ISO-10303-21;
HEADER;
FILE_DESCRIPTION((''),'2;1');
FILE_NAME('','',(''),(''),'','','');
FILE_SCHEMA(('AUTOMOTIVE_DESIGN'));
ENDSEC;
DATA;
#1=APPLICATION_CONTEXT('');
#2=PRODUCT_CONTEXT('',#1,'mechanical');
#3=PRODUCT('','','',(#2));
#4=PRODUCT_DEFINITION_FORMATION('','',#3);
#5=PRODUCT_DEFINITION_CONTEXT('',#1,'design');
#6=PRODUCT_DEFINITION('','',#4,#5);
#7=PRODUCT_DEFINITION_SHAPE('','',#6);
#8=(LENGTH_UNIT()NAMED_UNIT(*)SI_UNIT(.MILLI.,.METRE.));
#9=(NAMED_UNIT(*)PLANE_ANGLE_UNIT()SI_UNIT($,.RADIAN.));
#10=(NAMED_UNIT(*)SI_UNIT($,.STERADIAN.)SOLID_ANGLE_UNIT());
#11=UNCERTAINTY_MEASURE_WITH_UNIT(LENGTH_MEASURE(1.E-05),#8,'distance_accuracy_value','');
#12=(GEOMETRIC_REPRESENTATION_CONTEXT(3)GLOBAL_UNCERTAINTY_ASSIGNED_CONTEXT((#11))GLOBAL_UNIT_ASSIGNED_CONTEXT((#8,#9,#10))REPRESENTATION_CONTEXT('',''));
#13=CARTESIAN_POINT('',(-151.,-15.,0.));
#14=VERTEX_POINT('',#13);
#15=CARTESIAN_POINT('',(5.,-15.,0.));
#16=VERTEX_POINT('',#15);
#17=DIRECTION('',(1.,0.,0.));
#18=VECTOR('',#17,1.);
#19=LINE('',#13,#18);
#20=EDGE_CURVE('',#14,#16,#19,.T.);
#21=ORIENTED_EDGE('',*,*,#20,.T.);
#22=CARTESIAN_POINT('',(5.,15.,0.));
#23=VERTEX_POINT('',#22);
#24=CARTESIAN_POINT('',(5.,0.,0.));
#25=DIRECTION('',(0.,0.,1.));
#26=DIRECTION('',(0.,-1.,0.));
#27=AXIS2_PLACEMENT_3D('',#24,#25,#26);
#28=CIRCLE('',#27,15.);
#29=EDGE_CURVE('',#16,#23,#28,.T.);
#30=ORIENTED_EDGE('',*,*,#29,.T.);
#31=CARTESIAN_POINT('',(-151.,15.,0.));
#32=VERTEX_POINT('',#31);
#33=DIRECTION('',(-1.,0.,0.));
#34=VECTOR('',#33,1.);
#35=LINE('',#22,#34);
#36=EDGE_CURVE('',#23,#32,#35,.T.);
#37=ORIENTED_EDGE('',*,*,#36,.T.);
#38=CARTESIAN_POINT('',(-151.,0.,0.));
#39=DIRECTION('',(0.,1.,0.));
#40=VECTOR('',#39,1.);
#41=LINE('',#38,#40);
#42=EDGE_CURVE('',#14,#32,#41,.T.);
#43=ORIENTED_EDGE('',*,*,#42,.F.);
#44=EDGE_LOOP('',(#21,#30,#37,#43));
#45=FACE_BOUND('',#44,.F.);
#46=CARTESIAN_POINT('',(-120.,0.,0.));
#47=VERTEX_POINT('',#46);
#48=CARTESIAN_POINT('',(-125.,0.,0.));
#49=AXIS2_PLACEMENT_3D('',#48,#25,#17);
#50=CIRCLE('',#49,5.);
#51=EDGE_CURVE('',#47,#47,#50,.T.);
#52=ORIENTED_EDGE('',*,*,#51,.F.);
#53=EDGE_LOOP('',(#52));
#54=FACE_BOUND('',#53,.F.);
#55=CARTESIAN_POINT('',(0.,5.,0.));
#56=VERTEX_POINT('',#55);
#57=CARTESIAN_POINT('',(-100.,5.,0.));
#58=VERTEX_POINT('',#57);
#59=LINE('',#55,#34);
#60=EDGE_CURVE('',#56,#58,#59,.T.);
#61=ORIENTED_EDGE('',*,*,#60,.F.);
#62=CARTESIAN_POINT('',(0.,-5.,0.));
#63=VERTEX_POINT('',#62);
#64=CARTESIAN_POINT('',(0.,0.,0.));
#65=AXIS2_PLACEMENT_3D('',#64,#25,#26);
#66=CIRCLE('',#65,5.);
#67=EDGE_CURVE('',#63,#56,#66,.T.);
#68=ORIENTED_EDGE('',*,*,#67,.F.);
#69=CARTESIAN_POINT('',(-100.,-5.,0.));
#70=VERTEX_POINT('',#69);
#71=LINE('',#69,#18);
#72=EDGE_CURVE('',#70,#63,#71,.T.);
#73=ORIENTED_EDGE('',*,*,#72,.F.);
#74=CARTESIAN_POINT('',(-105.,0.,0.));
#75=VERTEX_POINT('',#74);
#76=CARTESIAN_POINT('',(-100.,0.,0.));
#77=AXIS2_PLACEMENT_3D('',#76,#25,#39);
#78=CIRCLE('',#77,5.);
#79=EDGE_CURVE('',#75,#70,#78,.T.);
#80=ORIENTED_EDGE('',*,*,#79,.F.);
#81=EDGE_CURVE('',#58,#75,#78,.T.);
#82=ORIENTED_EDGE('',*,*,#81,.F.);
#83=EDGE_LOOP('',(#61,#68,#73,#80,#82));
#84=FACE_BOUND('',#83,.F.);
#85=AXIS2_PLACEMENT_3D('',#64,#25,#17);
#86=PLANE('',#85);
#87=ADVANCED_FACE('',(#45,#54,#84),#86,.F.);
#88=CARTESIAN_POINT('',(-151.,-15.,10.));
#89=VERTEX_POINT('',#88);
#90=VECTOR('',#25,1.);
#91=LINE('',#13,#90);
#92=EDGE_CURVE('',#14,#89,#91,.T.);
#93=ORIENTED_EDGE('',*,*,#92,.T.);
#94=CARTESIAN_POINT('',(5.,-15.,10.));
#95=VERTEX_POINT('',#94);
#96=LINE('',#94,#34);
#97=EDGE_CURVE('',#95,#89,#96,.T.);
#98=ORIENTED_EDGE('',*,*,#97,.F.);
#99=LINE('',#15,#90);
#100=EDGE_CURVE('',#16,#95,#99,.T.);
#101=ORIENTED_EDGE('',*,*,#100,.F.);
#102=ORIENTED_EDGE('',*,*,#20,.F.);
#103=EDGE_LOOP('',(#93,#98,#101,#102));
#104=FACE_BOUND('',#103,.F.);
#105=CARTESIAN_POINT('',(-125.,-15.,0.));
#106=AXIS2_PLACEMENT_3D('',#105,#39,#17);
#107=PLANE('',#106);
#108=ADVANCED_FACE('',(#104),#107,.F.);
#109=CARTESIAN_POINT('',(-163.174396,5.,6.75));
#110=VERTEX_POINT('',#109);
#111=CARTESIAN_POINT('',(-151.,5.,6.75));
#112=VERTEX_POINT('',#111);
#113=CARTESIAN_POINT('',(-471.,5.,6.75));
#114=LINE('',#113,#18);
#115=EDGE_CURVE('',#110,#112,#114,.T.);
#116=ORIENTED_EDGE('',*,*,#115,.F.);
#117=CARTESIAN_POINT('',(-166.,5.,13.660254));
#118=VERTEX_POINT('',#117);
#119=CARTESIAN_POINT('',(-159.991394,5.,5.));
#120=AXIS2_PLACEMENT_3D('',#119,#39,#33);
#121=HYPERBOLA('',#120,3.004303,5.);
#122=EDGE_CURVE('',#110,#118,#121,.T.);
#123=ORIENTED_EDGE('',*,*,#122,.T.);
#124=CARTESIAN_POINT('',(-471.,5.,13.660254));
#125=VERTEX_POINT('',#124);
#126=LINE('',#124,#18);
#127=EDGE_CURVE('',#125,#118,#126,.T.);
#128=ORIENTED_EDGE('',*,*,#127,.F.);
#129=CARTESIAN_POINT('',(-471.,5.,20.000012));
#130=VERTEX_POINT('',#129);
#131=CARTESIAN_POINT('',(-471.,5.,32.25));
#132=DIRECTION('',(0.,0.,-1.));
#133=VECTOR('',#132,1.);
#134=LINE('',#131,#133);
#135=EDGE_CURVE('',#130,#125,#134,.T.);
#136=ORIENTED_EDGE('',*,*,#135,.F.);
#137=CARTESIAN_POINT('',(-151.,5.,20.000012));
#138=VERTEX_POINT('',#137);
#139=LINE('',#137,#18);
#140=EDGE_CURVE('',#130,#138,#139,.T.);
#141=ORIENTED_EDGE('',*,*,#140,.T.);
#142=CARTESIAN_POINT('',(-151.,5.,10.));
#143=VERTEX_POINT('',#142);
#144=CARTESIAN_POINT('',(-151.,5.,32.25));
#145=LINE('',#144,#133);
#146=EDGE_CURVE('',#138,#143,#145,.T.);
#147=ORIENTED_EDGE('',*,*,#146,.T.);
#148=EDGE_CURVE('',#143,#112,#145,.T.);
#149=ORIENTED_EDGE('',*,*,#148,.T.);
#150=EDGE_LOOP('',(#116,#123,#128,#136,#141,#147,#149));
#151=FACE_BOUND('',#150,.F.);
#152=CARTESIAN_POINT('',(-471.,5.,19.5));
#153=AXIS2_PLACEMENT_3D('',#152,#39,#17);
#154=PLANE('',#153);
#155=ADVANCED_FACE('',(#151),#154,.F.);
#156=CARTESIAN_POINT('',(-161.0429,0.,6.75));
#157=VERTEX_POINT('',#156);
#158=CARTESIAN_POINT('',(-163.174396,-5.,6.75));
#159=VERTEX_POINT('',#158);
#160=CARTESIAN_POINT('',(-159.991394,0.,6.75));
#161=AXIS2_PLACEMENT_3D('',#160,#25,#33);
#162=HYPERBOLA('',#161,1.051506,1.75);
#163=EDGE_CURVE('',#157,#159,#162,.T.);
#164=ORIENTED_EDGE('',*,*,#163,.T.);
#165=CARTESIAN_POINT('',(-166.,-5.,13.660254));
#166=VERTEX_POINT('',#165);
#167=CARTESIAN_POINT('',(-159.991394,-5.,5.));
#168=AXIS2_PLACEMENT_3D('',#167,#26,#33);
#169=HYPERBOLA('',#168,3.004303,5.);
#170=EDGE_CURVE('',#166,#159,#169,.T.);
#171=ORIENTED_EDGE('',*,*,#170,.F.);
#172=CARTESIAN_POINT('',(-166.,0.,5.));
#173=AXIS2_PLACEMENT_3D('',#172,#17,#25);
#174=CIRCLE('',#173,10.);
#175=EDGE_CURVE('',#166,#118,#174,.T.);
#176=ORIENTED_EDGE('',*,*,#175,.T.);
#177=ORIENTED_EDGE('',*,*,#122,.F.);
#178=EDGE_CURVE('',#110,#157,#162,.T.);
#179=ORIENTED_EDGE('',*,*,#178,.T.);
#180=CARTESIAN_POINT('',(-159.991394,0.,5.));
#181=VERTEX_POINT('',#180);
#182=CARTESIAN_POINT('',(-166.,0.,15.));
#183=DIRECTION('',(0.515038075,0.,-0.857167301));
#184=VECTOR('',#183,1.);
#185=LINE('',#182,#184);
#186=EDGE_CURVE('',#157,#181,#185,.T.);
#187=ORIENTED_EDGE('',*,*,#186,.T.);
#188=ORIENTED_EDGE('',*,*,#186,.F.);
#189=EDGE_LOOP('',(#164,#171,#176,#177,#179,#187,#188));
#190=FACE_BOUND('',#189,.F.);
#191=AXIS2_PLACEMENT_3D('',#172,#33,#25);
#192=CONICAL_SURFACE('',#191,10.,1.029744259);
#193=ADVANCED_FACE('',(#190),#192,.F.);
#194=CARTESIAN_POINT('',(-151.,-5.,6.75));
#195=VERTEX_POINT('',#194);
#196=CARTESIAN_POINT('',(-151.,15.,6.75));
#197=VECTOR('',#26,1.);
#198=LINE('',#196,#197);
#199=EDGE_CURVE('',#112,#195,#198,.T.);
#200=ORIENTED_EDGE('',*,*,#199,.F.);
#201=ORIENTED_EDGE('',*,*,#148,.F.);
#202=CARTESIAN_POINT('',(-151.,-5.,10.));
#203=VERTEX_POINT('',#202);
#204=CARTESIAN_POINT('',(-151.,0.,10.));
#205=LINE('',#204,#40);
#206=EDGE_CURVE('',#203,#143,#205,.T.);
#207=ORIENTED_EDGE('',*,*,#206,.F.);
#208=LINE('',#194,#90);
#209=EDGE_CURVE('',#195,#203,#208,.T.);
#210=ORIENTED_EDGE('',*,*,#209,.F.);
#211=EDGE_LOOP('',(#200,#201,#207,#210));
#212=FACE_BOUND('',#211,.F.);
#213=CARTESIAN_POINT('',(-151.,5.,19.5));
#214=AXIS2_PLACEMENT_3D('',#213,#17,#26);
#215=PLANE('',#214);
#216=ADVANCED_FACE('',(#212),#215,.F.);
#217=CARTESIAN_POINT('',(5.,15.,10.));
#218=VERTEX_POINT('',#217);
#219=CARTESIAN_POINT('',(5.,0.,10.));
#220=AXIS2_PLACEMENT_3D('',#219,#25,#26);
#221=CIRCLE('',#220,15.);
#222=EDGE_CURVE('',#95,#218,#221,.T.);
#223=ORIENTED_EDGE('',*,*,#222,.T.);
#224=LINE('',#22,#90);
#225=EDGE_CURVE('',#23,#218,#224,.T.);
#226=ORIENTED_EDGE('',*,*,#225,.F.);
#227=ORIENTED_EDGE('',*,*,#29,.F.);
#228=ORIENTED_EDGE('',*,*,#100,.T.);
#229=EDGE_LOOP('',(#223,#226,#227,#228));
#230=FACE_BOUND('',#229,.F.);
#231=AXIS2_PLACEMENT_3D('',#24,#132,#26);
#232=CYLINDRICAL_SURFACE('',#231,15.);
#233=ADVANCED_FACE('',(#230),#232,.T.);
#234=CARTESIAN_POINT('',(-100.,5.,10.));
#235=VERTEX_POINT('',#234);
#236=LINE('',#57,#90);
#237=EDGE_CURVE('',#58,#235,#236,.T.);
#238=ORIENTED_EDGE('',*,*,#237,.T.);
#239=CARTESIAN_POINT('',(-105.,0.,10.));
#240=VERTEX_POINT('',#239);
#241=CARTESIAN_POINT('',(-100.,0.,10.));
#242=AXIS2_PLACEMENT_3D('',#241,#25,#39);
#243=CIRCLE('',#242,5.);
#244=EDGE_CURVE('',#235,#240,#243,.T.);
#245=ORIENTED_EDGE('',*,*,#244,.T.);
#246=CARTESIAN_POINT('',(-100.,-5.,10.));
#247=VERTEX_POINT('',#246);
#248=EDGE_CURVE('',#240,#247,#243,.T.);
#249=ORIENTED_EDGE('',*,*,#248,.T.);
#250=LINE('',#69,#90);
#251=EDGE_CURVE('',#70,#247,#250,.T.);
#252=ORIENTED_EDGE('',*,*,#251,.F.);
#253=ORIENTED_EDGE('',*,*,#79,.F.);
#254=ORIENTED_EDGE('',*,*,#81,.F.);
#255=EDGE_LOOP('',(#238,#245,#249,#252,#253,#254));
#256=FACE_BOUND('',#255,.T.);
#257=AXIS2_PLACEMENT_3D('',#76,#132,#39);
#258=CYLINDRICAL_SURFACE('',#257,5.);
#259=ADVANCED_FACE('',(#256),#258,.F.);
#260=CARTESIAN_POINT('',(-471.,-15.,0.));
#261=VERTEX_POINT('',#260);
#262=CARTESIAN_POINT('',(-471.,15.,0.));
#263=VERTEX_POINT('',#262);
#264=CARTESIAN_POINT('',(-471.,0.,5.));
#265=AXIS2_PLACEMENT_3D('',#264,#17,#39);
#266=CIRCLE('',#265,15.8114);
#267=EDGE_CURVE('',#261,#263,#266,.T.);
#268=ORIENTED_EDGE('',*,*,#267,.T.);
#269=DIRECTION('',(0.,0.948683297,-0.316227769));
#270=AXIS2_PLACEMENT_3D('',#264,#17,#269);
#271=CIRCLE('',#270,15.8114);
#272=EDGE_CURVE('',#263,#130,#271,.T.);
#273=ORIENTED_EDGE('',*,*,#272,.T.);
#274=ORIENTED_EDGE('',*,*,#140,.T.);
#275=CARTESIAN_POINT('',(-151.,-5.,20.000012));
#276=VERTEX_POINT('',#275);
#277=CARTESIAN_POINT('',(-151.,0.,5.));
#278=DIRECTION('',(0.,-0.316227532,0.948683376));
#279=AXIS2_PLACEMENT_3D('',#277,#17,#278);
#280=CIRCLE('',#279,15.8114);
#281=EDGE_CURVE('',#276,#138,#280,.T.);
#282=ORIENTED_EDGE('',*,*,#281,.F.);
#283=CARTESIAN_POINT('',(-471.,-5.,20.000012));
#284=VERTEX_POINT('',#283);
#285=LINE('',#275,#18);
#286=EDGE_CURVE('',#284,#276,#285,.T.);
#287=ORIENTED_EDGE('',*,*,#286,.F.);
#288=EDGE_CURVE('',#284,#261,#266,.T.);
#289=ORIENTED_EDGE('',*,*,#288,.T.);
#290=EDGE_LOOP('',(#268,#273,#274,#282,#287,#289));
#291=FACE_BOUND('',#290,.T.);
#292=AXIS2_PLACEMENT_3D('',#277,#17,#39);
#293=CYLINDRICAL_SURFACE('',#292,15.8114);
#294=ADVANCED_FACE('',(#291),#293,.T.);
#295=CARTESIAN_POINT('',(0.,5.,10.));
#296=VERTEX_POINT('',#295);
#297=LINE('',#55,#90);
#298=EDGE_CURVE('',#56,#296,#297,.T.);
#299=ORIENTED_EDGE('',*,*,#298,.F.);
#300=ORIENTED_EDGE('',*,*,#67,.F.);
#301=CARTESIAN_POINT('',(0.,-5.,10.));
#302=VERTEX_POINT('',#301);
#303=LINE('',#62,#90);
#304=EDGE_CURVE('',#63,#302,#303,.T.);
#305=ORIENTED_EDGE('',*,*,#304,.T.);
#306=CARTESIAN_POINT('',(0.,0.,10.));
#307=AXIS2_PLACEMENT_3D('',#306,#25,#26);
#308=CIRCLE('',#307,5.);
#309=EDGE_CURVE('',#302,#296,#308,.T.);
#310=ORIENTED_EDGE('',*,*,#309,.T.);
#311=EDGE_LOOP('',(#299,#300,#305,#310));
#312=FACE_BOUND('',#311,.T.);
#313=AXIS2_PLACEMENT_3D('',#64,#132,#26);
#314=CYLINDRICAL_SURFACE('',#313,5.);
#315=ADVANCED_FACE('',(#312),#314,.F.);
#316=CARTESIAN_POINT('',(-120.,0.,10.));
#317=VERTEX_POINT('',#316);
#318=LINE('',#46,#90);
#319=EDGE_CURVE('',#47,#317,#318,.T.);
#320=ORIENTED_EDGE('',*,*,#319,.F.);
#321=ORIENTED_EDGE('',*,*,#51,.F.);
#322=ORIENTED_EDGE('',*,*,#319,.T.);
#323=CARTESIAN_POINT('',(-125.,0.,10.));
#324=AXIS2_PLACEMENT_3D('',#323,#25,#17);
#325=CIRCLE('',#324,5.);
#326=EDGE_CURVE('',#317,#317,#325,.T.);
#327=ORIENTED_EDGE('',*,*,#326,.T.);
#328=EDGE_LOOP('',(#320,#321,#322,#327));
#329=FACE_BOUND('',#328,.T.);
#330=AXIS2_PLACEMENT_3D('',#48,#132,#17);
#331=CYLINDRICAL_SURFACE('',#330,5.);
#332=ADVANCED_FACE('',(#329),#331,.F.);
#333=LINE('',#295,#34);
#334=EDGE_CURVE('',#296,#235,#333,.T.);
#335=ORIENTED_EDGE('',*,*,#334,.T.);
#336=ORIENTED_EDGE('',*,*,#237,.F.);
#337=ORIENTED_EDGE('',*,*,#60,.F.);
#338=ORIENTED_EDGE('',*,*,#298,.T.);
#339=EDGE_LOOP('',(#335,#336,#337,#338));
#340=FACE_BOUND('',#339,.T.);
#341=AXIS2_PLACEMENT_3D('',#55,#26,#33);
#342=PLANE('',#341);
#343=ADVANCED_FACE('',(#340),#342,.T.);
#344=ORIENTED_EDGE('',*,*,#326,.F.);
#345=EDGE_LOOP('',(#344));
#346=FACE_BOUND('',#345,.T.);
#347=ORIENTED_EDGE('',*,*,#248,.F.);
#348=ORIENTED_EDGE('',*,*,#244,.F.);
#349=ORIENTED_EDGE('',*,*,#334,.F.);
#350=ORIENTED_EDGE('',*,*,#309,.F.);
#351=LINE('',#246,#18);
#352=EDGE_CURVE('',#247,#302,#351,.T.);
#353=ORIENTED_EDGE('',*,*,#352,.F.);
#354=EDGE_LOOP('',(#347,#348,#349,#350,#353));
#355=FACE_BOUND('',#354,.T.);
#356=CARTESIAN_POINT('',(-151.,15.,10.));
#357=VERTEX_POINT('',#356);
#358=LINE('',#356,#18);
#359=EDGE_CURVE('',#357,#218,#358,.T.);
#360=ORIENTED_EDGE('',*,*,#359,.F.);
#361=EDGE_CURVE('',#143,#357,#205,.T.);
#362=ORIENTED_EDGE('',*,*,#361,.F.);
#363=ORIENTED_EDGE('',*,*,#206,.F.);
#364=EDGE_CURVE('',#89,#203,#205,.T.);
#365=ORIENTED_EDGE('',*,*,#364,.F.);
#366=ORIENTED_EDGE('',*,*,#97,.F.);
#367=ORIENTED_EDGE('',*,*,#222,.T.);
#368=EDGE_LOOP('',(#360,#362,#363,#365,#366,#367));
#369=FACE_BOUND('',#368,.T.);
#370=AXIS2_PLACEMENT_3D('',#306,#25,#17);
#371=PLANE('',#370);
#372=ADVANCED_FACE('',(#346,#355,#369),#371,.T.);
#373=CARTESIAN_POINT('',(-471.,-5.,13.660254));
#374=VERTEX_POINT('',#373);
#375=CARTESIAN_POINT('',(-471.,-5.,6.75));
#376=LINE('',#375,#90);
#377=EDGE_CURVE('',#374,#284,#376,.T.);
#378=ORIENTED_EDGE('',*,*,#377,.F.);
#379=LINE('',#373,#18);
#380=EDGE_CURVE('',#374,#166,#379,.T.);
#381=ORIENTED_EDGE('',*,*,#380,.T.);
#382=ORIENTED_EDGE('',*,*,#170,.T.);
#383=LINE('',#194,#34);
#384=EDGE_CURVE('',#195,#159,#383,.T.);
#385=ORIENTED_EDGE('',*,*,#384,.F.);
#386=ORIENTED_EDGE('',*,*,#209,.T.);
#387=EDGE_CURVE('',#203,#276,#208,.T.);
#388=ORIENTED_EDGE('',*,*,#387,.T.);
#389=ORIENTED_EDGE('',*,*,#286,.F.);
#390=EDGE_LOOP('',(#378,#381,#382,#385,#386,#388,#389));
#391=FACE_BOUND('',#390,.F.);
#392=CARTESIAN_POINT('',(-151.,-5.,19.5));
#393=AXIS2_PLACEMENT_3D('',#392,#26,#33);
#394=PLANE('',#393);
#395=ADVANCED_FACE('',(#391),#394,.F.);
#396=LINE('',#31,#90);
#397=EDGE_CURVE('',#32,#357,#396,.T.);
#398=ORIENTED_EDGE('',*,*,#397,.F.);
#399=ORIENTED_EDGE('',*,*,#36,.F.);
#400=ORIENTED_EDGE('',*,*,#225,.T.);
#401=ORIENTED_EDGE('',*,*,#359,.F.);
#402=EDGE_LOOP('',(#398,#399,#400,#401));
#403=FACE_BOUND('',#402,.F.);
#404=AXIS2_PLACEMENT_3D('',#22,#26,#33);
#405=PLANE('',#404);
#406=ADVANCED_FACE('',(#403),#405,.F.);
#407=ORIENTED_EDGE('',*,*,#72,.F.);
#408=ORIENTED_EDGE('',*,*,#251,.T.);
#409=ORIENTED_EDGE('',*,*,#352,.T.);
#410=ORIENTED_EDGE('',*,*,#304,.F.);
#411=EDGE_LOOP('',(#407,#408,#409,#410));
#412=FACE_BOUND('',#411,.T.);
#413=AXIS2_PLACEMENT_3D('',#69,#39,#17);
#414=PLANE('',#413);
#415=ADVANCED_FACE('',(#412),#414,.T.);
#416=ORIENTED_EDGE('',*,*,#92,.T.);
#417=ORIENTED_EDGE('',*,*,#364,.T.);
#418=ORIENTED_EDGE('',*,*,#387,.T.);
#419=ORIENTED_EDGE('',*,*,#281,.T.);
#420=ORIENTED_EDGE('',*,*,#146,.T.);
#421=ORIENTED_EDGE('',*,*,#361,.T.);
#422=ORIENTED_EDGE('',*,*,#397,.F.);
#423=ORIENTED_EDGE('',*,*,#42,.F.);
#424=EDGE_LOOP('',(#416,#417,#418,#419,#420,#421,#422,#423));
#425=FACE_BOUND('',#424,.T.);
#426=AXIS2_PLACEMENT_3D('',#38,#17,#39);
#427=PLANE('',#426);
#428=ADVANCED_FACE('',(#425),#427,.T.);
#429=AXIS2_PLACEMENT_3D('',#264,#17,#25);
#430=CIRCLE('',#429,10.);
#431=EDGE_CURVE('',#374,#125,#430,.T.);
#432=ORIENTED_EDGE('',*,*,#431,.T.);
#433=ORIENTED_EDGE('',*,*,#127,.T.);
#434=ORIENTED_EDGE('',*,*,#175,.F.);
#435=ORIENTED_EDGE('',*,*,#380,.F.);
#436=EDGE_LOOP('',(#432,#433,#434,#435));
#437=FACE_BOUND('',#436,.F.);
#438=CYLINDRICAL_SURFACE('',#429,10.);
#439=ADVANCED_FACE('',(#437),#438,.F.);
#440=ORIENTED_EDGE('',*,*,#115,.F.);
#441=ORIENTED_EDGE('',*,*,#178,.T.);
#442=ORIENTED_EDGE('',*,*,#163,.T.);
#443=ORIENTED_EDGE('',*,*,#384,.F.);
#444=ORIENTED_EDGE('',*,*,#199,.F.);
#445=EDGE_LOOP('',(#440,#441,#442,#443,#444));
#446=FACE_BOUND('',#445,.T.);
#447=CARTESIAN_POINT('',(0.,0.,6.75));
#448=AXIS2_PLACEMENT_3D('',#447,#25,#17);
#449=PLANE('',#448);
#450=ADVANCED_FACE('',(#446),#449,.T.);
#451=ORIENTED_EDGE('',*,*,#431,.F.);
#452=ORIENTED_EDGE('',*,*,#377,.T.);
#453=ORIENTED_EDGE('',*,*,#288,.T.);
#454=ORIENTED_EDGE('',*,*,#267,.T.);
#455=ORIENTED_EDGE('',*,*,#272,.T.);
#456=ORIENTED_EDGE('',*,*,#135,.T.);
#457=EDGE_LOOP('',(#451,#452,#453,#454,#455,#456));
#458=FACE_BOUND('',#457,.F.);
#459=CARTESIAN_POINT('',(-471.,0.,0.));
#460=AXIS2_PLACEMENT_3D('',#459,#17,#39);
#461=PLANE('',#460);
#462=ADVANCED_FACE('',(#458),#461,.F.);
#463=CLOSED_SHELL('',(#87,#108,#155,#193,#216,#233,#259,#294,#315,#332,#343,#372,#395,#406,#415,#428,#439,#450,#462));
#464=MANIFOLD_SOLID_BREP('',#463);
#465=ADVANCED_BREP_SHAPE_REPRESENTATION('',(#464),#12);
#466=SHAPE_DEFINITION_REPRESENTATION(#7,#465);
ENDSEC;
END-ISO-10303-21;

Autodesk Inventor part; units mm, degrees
ref_plane "XZ Plane" through (0, 0, 0) normal (0, 1, 0) x (-1, 0, 0)
sketch "Sketch1" plane through (0, 0, 0) normal (0, 0, 1) x (1, 0, 0)
  line L0 (0, 0) -> (-100, 0) construction
  line L1 (0, 5) -> (-100, 5)
  line L2 (-100, -5) -> (0, -5)
  arc A0 (0, -5) -> (0, 5) centre (0, 0) ccw
  arc A1 (-100, 5) -> (-100, -5) centre (-100, 0) ccw
  line L3 (5, 0) -> (-105, 0) construction
  line L4 (-105, 0) -> (-125, 0)
  circle A2 centre (-125, 0) radius 5
  line L5 (5, 0) -> (-105, 0) construction
  line L6 (5, 15) -> (-125, 15)
  line L7 (-125, -15) -> (5, -15)
  arc A3 (5, -15) -> (5, 15) centre (5, 0) ccw
  line L8 (-125, 15) -> (-710, 15)
  line L9 (-125, -15) -> (-710, -15)
  arc A4 (-710, 15) -> (-710, -15) centre (-710, 0) ccw
  point P0 (-50, 0)
  point P1 (-50, 0)
  point P2 (-50, 0)
  dimension "d0" = 100
  dimension "d1" = 10
  dimension "d3" = 20
  dimension "d6" = 585
extrude "Extrusion1" add sketch "Sketch1" along normal blind 10
ref_plane "Work Plane1" through (-151, 0, 0) normal (1, 0, 0) x (0, 1, 0)
sketch "Sketch2" plane through (-151, 0, 0) normal (1, 0, 0) x (0, 1, 0)
  line L0 (15, 0) -> (15, 10) projected
  circle A0 centre (0, 5) radius 15.8114
  point P0 (0, 0)
extrude "Extrusion2" add sketch "Sketch2" against normal blind 320
sketch "Sketch3" plane through (0, 0, 10) normal (0, 0, 1) x (1, 0, 0)
  arc A0 (-710, 15) -> (-710, -15) centre (-710, 0) ccw projected
  arc A1 (-710, 15) -> (-710, -15) centre (-710, 0) ccw
  line L0 (-471, 15) -> (-710, 15) projected
  line L1 (-710, -15) -> (-471, -15) projected
  line L2 (-471, 15) -> (-471, -15) projected
  point P0 (0, 0)
extrude "Extrusion3" cut sketch "Sketch3" against normal blind 169
hole "Hole1" at (-471, 0, 5) direction (1, 0, 0) diameter 20 depth 305 tip angle 118
ref_plane "Work Plane2" through (0, 0, 19.5) normal (0, 0, 1) x (1, 0, 0)
sketch "Sketch4" plane through (0, 0, 19.5) normal (0, 0, 1) x (1, 0, 0)
  line L0 (-471, 15.8114) -> (-471, -15.8114) projected
  circle A0 centre (-471, 0) radius 5
  line L1 (-151, 15) -> (-151, -15) projected
  line L2 (-471, 5) -> (-151, 5)
  line L3 (-151, 5) -> (-151, -5)
  line L4 (-151, -5) -> (-471, -5)
  line L5 (-471, -5) -> (-471, 5)
  point P0 (0, 0)
  dimension "d24" = 10
  dimension "d25" = 10
extrude "Extrusion4" cut sketch "Sketch4" along normal mid plane 25.5 contours A0 L0 | L2 L1 L4 A0 picked at (-468.7566, 0.7231)
